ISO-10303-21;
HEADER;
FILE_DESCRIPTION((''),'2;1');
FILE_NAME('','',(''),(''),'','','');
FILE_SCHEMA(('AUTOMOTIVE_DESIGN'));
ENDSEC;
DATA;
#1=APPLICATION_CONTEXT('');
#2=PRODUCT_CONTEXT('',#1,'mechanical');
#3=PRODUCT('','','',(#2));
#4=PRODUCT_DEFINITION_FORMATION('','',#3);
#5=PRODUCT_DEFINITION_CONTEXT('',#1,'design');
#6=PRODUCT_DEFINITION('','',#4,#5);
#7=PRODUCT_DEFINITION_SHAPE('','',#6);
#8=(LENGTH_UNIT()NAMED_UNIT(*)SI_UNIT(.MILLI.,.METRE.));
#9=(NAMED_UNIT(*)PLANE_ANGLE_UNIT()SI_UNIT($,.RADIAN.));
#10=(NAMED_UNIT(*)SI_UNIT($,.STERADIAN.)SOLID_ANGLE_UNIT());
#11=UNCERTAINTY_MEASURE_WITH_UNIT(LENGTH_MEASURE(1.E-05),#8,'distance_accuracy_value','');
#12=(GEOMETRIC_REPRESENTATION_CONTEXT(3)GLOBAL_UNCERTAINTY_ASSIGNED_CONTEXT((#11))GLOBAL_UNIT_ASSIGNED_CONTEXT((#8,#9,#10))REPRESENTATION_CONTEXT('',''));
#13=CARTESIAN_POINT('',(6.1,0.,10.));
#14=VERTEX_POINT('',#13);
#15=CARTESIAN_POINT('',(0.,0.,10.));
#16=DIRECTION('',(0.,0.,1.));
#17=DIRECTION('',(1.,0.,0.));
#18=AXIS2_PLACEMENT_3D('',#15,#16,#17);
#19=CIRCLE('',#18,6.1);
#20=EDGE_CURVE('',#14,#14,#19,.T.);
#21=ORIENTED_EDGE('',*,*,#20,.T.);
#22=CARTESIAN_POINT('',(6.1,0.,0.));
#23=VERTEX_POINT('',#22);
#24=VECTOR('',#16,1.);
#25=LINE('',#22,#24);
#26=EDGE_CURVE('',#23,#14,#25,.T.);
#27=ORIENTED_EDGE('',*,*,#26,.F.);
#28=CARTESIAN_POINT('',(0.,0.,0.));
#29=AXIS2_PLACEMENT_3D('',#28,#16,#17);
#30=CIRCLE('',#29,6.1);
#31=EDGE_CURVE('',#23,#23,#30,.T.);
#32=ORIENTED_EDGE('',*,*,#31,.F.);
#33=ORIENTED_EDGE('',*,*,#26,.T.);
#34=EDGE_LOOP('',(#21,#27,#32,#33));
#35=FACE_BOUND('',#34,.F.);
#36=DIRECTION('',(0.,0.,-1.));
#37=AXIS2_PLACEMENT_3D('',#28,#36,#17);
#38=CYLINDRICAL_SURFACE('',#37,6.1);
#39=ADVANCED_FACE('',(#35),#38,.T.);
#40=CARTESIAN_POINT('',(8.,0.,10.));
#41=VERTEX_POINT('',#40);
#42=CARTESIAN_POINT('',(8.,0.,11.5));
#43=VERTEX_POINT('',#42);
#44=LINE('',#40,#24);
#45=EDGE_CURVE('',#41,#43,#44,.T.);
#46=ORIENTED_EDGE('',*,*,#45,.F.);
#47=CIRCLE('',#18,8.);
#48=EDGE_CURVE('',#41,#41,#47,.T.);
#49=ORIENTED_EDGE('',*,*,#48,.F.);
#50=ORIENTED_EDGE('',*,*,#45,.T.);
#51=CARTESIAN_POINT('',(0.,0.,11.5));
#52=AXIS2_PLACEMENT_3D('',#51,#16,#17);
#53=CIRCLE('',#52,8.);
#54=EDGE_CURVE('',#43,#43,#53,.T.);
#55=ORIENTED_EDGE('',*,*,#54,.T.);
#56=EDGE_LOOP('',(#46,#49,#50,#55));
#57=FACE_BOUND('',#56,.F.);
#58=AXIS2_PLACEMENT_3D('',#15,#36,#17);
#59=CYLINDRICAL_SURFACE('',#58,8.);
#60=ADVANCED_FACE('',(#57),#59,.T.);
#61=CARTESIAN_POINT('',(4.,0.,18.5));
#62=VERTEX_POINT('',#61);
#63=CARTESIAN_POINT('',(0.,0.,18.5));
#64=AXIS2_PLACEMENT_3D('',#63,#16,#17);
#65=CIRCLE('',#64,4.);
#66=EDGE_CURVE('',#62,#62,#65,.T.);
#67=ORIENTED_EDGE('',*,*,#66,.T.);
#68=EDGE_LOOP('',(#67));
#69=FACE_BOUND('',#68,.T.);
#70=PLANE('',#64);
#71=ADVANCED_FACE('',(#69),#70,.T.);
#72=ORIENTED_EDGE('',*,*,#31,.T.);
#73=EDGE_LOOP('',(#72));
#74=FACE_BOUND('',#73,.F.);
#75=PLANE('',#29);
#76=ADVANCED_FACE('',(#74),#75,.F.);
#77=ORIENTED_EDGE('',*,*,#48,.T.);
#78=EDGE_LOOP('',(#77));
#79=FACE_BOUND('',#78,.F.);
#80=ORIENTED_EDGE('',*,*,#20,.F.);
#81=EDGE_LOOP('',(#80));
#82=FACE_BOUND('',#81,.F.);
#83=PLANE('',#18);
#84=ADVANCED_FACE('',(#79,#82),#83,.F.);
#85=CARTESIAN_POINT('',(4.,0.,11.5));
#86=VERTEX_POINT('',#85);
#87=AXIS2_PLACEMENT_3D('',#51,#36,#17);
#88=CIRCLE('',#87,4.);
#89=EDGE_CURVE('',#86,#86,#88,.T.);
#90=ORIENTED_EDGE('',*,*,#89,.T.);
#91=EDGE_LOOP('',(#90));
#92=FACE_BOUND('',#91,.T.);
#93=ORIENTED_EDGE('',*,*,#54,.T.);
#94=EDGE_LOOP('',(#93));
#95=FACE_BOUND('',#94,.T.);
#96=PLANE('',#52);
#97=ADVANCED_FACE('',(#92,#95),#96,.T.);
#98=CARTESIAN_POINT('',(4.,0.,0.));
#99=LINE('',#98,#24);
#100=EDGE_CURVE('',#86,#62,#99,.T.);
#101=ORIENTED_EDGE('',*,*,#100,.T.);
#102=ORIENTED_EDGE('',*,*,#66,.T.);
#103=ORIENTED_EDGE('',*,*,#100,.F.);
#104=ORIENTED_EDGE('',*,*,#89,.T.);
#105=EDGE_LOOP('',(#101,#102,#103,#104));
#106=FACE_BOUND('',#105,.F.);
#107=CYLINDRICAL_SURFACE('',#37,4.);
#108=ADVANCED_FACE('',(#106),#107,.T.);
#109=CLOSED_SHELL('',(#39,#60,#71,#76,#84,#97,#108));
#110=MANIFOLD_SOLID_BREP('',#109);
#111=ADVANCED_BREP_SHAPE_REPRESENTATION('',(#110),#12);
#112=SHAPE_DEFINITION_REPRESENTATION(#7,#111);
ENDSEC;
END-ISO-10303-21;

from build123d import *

# Parameters (mm, degrees)
F0_R     = 6.1
F0_R_2   = 4
F1_DEPTH = 10
F2_DEPTH = 18.5
F3_R     = 8
F4_DEPTH = 1.5


with BuildPart() as f1:
    # F0 (on Top) → F1 (new body)
    with BuildSketch(Plane.XY):
        Circle(F0_R)
        Circle(F0_R_2, mode=Mode.SUBTRACT)
    extrude(amount=F1_DEPTH)

    # F0 (on Top) → F2 (join)
    with BuildSketch(Plane.XY):
        Circle(F0_R_2)
    extrude(amount=F2_DEPTH)

    # F3 (on face) → F4 (join)
    with BuildSketch(Plane.XY.offset(10)):
        Circle(F3_R)
    extrude(amount=F4_DEPTH)


solid = f1.part
